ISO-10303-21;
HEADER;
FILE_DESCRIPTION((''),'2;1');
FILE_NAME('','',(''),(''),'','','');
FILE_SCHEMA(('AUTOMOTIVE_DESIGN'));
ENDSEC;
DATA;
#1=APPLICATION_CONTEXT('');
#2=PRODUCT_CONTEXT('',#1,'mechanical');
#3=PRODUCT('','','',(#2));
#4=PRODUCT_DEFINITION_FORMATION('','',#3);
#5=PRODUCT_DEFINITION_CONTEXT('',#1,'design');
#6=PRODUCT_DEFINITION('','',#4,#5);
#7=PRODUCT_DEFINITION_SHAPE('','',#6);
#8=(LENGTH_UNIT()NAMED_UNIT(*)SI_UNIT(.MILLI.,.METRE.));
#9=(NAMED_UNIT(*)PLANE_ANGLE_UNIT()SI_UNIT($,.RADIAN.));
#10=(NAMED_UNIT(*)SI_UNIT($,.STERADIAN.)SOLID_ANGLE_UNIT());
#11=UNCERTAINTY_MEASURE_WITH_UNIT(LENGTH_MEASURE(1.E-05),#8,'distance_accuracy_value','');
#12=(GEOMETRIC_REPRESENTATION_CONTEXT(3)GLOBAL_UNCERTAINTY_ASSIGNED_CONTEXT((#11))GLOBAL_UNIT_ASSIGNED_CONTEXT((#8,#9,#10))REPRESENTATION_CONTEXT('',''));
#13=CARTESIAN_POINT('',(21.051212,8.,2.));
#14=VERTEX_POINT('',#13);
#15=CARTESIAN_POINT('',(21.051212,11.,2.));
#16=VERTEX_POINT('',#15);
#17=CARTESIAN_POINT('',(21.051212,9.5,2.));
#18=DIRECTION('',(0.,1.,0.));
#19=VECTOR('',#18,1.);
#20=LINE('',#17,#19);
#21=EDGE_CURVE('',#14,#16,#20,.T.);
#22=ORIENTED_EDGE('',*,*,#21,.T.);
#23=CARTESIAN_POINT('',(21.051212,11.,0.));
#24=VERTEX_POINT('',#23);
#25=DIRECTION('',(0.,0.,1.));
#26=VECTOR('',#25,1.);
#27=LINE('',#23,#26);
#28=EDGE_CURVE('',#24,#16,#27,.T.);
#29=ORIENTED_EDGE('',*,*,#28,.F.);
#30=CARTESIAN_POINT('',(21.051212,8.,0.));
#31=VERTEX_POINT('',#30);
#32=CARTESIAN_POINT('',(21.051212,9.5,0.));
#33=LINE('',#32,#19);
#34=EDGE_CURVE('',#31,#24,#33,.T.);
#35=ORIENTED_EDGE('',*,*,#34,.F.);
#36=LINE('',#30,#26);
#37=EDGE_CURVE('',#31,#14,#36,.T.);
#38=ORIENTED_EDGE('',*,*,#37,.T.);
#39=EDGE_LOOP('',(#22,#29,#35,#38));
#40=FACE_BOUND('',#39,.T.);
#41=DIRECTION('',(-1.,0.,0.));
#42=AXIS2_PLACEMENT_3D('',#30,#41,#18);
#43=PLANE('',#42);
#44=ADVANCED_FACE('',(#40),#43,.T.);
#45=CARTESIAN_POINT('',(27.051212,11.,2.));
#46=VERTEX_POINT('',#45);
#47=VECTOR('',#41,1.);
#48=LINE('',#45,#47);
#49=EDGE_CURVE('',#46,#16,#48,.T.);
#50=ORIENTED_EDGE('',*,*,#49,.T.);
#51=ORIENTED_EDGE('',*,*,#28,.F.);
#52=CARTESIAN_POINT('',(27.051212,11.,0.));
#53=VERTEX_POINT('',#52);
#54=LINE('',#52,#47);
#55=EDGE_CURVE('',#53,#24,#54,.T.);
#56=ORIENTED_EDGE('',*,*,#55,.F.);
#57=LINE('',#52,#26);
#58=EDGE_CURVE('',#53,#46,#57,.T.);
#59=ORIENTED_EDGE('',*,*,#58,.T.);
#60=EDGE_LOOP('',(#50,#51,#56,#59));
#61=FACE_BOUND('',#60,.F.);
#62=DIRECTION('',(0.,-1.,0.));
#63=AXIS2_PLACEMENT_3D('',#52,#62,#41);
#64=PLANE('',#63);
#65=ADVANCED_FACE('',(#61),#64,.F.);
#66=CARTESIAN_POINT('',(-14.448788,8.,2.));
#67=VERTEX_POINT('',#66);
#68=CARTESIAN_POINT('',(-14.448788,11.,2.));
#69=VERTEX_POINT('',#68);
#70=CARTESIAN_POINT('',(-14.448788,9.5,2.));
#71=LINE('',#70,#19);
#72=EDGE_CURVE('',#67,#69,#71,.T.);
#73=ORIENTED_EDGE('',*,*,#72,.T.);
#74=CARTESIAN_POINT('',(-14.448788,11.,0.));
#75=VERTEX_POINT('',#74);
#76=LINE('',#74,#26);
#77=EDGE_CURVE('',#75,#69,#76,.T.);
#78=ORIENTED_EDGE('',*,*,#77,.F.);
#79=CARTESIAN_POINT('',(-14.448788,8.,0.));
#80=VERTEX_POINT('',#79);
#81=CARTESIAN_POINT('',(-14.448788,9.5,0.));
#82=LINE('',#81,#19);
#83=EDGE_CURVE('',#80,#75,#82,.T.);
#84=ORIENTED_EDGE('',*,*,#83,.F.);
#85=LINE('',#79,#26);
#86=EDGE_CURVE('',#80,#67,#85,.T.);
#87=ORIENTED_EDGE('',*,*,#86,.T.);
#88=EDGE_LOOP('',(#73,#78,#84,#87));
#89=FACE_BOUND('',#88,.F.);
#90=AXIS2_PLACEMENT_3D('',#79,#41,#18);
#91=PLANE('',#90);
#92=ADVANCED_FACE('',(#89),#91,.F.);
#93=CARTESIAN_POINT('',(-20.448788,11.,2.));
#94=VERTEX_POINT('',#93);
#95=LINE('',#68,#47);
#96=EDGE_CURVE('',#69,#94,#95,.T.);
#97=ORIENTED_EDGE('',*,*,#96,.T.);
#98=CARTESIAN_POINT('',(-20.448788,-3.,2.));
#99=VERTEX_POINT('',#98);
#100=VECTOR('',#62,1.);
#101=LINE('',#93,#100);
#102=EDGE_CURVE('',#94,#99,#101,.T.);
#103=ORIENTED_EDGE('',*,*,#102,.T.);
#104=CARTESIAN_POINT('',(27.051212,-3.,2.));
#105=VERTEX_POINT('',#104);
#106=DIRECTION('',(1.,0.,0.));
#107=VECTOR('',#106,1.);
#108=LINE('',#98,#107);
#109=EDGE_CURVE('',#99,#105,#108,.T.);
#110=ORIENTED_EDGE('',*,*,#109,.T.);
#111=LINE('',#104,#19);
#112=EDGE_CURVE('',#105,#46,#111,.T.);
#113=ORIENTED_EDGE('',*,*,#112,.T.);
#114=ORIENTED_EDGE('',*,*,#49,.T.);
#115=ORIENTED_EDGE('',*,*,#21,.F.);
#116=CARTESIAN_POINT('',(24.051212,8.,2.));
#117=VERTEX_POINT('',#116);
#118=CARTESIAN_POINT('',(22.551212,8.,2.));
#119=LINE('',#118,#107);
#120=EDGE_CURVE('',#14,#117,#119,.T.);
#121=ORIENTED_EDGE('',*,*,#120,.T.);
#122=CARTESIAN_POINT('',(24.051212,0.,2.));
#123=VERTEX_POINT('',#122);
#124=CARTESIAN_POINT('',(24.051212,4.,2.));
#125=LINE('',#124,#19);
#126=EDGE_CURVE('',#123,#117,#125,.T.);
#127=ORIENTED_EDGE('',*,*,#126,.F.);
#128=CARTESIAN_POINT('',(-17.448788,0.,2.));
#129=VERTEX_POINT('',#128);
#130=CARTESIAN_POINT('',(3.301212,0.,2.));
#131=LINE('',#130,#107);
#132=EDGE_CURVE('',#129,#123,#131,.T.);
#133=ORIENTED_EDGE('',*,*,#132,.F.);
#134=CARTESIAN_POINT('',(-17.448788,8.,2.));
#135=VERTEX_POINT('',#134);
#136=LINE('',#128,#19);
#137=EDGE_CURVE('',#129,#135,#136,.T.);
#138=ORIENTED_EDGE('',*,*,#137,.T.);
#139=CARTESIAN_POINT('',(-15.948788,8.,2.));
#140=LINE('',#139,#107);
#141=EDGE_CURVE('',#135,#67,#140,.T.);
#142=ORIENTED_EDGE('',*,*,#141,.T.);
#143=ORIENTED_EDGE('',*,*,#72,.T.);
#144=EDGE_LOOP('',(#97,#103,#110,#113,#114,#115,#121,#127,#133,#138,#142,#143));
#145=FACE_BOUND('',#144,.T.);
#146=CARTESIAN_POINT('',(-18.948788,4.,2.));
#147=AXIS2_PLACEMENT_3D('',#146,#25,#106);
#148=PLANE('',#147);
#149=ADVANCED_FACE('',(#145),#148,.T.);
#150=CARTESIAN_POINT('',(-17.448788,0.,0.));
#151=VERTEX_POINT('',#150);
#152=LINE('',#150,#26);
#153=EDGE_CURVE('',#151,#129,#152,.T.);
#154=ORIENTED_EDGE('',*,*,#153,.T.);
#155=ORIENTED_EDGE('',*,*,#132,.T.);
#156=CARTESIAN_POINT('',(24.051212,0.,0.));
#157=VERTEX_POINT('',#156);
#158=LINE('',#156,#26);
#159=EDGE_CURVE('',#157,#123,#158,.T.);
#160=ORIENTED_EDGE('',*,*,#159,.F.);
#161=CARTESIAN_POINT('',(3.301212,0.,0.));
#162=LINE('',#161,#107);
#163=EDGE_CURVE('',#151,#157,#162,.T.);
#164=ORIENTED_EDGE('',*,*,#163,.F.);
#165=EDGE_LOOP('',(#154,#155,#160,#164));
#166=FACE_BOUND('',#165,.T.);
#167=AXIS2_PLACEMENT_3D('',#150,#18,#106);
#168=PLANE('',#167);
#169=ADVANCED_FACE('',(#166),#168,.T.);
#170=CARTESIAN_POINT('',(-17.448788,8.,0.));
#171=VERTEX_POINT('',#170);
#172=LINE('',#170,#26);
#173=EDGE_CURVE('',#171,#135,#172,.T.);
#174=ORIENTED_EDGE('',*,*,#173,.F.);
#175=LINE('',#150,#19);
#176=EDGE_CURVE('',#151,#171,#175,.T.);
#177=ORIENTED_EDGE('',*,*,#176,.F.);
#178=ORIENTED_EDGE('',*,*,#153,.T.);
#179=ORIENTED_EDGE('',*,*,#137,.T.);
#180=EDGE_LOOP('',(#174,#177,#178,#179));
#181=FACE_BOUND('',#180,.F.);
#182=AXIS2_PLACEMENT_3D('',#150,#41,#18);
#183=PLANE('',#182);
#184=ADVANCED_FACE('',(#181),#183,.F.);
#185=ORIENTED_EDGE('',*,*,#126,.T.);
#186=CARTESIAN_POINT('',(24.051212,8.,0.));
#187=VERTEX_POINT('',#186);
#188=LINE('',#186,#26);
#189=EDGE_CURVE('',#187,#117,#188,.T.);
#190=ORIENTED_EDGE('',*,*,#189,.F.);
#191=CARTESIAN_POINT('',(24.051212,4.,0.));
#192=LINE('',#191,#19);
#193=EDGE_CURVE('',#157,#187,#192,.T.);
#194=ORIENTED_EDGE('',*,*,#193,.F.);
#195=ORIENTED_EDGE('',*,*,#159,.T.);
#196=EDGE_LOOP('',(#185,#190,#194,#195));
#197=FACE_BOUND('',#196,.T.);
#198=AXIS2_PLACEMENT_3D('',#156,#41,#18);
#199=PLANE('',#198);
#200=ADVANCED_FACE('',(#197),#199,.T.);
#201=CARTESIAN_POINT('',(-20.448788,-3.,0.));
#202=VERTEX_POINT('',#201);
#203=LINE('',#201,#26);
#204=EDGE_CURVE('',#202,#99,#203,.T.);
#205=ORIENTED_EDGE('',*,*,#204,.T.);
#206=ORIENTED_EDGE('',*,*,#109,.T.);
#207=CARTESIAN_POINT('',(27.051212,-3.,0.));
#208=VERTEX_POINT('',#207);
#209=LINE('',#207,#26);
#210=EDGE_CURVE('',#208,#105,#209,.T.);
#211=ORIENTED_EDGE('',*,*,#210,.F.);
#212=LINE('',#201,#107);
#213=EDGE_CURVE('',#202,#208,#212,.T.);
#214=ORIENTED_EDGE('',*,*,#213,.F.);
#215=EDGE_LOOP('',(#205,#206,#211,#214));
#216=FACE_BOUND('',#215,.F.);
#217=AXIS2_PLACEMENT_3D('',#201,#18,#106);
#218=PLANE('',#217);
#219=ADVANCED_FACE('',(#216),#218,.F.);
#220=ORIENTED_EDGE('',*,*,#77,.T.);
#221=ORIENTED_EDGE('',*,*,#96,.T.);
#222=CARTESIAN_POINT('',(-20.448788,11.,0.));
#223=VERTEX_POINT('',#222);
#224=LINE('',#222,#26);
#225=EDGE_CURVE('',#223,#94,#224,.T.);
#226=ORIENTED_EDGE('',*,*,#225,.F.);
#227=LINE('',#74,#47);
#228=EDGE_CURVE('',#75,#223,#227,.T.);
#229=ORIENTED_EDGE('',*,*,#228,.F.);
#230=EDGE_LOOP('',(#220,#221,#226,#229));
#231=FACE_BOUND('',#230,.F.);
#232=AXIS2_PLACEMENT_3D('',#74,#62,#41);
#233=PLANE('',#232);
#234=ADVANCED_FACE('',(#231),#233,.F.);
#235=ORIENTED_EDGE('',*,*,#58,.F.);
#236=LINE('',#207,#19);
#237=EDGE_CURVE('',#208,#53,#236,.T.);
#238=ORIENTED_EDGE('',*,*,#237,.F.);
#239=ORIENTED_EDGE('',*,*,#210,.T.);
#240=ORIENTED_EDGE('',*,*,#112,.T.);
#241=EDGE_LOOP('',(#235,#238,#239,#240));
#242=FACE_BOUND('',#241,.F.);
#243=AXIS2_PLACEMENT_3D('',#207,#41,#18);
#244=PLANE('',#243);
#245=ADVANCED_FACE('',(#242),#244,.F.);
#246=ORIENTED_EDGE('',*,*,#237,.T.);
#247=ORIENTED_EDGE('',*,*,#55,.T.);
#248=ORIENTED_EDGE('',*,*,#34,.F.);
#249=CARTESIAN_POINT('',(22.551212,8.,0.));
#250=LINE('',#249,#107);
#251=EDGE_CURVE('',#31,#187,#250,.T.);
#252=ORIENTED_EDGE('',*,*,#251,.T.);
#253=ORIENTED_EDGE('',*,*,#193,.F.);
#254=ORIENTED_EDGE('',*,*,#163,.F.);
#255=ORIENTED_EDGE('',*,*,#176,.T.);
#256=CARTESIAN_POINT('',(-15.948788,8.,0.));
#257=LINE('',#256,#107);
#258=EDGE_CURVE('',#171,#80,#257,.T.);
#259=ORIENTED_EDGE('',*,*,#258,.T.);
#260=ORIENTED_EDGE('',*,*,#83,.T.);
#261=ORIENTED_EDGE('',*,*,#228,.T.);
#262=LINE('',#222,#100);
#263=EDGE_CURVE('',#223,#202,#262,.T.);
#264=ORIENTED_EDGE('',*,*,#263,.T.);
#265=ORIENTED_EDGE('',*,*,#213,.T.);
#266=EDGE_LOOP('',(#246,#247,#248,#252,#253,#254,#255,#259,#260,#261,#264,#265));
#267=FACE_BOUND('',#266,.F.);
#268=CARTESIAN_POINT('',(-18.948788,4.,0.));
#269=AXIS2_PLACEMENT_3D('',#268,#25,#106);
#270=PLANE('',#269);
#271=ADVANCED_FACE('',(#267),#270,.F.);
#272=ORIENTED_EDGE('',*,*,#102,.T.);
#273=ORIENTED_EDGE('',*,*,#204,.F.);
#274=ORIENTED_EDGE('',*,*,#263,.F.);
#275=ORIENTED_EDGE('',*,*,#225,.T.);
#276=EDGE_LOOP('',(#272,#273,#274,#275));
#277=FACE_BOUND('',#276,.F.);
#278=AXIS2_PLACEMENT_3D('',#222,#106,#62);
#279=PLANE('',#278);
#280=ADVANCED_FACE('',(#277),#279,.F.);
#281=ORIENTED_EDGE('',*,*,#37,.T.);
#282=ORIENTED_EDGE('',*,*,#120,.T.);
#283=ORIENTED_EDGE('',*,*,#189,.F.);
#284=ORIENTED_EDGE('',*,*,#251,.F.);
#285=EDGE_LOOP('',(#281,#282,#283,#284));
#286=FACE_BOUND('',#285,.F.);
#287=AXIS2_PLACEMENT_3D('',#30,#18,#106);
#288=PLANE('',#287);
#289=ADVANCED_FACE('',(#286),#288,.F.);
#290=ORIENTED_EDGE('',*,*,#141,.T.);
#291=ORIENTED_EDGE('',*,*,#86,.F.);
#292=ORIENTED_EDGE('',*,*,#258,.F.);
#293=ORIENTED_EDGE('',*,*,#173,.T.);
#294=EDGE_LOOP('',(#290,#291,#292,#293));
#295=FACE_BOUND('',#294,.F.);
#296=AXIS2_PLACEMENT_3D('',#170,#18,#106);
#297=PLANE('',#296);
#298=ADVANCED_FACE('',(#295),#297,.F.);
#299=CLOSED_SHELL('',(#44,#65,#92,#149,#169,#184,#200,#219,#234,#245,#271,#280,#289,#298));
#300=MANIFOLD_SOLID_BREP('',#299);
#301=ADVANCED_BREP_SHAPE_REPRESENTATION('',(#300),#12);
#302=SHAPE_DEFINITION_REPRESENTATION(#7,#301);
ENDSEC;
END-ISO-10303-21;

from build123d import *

# Parameters (mm, degrees)
F0_W     = 3
F0_H     = 8
F0_H_2   = 3
F0_W_2   = 41.5
F1_DEPTH = 2


with BuildPart() as f1:
    # F0 (on Top) → F1 (new body)
    with BuildSketch(Plane.XY):
        with Locations((-18.948788, 4)):
            Rectangle(F0_W, F0_H)
        with Locations((-18.948788, -1.5)):
            Rectangle(F0_W, F0_H_2)
        with Locations((3.301212, -1.5)):
            Rectangle(F0_W_2, F0_H_2)
        with Locations((-18.948788, 9.5)):
            Rectangle(F0_W, F0_H_2)
        with Locations((25.551212, 4)):
            Rectangle(F0_W, F0_H)
        with Locations((25.551212, -1.5)):
            Rectangle(F0_W, F0_H_2)
        with Locations((-15.948788, 9.5)):
            Rectangle(F0_W, F0_H_2)
        with Locations((22.551212, 9.5)):
            Rectangle(F0_W, F0_H_2)
        with Locations((25.551212, 9.5)):
            Rectangle(F0_W, F0_H_2)
    extrude(amount=F1_DEPTH)


solid = f1.part
